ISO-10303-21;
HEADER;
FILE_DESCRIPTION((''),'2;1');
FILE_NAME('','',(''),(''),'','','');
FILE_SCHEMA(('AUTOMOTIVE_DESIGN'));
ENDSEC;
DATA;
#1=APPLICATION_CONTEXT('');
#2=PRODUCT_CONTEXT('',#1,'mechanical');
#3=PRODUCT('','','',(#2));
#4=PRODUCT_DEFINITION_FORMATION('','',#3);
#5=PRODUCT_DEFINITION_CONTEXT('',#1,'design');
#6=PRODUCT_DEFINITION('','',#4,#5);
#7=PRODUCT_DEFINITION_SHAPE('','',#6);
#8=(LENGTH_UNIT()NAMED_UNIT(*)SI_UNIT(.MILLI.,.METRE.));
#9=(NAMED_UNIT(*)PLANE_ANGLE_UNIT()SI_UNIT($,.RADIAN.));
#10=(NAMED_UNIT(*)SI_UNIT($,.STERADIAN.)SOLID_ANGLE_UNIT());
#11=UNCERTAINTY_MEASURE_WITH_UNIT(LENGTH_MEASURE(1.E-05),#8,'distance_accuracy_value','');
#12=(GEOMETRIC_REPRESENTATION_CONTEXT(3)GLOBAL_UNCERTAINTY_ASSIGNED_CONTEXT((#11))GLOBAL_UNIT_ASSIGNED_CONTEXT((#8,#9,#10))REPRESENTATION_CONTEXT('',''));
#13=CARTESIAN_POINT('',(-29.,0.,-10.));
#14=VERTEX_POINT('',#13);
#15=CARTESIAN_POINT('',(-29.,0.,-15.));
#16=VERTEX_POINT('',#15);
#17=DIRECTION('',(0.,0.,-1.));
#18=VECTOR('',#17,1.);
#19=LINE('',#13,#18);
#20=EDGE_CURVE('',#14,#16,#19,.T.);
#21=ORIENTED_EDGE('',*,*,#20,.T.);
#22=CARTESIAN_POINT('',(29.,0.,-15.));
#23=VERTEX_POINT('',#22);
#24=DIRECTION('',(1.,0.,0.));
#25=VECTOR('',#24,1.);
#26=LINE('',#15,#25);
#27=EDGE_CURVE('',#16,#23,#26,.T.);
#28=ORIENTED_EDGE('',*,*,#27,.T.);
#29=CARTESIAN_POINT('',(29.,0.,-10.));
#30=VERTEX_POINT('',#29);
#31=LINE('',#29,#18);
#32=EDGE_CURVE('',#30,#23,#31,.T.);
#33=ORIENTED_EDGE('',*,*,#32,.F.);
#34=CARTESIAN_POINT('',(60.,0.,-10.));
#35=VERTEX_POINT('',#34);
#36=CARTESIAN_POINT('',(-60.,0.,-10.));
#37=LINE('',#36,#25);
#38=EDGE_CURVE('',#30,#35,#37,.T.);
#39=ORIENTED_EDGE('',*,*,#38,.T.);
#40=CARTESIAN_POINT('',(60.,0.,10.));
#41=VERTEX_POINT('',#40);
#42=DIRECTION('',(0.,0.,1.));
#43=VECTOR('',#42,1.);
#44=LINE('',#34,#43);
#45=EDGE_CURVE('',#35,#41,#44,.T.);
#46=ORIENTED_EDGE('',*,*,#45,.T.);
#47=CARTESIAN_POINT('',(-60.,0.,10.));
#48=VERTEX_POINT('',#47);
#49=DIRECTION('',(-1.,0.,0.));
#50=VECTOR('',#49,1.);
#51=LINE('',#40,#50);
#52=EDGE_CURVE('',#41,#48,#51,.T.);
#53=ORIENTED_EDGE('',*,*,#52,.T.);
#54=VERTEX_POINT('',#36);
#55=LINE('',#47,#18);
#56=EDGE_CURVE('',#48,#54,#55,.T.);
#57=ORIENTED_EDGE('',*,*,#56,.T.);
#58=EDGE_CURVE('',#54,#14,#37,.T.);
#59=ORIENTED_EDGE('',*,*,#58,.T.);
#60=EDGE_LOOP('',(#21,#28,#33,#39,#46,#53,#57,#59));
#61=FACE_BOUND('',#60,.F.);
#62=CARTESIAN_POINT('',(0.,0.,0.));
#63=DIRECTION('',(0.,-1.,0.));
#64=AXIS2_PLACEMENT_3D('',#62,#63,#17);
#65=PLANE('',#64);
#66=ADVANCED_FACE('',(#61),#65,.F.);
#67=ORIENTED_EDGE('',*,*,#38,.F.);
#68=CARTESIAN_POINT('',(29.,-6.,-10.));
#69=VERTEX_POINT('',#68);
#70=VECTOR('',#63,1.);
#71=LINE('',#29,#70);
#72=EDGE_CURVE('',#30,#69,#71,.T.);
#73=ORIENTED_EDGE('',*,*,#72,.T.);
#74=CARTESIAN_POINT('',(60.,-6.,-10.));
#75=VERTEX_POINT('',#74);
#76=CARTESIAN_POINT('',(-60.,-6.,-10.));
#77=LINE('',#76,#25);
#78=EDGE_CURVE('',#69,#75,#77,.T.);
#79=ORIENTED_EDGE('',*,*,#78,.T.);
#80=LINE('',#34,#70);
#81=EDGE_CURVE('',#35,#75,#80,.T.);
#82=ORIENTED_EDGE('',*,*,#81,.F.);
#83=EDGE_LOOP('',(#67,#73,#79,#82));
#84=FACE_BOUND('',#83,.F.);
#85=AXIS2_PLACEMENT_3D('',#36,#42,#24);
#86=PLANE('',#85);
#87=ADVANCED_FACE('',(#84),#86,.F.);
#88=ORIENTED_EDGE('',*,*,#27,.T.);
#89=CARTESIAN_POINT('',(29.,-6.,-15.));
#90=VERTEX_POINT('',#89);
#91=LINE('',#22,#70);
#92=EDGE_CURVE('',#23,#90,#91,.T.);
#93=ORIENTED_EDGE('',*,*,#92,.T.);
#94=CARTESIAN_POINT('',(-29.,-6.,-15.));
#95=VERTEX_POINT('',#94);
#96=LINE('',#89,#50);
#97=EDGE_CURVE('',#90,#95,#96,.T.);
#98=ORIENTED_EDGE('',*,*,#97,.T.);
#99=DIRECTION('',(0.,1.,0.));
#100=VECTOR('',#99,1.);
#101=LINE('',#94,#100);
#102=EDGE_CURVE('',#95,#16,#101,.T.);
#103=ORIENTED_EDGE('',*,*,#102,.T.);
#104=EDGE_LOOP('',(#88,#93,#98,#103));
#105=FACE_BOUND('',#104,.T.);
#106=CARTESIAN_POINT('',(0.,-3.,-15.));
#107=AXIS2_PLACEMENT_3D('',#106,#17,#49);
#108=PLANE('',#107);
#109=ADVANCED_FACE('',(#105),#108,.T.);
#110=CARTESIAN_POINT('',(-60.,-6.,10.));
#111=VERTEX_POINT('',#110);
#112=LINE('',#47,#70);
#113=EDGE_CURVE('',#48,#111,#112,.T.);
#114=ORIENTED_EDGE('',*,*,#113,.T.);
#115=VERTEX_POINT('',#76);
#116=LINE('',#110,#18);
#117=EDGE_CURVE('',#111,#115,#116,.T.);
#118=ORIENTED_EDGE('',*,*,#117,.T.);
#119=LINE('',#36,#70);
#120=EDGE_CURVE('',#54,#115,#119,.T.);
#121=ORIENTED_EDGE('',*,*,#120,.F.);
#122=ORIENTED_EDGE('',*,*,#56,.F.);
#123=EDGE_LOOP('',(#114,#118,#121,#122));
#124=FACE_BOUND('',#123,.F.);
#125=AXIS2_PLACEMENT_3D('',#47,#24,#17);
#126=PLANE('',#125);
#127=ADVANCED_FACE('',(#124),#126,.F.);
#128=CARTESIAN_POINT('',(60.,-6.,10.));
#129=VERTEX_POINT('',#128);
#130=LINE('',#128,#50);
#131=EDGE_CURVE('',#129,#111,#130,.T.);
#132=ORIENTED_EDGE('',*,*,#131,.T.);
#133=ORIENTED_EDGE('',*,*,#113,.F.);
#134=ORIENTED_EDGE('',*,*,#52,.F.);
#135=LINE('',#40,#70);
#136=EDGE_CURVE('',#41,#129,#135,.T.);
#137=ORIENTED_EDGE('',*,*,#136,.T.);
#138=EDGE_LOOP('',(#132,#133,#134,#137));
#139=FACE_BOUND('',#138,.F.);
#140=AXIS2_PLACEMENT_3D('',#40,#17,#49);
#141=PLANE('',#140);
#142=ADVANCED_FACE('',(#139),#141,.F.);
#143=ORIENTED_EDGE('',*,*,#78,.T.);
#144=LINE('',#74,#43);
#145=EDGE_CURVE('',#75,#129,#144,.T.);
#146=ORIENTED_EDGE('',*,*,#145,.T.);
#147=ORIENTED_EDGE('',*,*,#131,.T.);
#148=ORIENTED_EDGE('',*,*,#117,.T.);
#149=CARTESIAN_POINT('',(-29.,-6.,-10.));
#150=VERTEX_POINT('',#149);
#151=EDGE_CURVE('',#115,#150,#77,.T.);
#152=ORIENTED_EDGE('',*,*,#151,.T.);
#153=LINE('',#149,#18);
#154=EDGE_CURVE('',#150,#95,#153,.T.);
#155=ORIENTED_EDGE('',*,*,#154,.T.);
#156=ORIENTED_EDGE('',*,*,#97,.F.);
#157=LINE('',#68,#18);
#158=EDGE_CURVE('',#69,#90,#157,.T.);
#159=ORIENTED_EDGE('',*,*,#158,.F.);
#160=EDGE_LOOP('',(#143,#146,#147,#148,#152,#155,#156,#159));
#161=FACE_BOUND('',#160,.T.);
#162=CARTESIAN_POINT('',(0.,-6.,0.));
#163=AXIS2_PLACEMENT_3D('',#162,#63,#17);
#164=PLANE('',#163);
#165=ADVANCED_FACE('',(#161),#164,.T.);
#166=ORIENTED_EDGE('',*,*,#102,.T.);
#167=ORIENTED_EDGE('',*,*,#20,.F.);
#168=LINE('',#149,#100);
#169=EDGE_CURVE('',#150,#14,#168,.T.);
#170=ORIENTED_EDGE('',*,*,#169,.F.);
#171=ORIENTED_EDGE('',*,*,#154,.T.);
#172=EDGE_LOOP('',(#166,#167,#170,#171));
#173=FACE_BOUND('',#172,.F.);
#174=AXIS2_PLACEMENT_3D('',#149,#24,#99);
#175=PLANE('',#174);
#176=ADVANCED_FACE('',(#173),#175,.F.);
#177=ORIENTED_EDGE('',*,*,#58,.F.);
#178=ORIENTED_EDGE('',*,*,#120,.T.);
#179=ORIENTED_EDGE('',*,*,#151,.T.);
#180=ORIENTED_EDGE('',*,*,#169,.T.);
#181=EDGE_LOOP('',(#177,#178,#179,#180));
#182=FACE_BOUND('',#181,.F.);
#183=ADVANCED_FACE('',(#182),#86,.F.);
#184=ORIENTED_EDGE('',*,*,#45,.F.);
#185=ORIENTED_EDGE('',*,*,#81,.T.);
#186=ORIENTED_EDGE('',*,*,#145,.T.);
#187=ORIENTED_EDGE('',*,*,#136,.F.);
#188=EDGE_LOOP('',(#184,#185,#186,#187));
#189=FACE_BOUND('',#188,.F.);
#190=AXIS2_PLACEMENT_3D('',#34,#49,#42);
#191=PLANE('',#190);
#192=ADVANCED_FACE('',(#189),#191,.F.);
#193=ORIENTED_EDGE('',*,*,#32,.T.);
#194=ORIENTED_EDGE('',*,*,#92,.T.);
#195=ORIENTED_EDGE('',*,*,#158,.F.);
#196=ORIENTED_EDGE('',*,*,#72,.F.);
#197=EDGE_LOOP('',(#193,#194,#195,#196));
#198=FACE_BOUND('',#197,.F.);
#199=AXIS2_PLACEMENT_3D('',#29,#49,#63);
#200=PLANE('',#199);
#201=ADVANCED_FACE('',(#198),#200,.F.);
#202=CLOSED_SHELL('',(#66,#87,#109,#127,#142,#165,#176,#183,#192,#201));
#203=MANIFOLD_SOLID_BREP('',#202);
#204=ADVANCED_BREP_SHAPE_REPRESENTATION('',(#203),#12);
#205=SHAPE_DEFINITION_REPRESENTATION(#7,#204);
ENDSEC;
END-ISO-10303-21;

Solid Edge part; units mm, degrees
sketch "Sketch1" plane through (0, 0, 0) normal (0, -1, 0) x (1, 0, 0)
  line L0 (-60, -10) -> (60, -10)
  line L1 (60, -10) -> (60, 10)
  line L2 (60, 10) -> (-60, 10)
  line L3 (-60, 10) -> (-60, -10)
  dimension "D1" = 120
  dimension "D2" = 20
extrude "Protrusion1" add sketch "Sketch1" along normal blind 6
sketch "Sketch2" plane through (0, -3, -10) normal (0, 0, -1) x (1, 0, 0)
  line L0 (-29, -3) -> (29, -3)
  line L1 (29, -3) -> (29, 3)
  line L2 (29, 3) -> (-29, 3)
  line L3 (-29, 3) -> (-29, -3)
  dimension "D1" = 6
  dimension "D2" = 58
extrude "ExtrudedProtrusion_2" add sketch "Sketch2" along normal blind 5
properties material "Wood, Mahogany"
